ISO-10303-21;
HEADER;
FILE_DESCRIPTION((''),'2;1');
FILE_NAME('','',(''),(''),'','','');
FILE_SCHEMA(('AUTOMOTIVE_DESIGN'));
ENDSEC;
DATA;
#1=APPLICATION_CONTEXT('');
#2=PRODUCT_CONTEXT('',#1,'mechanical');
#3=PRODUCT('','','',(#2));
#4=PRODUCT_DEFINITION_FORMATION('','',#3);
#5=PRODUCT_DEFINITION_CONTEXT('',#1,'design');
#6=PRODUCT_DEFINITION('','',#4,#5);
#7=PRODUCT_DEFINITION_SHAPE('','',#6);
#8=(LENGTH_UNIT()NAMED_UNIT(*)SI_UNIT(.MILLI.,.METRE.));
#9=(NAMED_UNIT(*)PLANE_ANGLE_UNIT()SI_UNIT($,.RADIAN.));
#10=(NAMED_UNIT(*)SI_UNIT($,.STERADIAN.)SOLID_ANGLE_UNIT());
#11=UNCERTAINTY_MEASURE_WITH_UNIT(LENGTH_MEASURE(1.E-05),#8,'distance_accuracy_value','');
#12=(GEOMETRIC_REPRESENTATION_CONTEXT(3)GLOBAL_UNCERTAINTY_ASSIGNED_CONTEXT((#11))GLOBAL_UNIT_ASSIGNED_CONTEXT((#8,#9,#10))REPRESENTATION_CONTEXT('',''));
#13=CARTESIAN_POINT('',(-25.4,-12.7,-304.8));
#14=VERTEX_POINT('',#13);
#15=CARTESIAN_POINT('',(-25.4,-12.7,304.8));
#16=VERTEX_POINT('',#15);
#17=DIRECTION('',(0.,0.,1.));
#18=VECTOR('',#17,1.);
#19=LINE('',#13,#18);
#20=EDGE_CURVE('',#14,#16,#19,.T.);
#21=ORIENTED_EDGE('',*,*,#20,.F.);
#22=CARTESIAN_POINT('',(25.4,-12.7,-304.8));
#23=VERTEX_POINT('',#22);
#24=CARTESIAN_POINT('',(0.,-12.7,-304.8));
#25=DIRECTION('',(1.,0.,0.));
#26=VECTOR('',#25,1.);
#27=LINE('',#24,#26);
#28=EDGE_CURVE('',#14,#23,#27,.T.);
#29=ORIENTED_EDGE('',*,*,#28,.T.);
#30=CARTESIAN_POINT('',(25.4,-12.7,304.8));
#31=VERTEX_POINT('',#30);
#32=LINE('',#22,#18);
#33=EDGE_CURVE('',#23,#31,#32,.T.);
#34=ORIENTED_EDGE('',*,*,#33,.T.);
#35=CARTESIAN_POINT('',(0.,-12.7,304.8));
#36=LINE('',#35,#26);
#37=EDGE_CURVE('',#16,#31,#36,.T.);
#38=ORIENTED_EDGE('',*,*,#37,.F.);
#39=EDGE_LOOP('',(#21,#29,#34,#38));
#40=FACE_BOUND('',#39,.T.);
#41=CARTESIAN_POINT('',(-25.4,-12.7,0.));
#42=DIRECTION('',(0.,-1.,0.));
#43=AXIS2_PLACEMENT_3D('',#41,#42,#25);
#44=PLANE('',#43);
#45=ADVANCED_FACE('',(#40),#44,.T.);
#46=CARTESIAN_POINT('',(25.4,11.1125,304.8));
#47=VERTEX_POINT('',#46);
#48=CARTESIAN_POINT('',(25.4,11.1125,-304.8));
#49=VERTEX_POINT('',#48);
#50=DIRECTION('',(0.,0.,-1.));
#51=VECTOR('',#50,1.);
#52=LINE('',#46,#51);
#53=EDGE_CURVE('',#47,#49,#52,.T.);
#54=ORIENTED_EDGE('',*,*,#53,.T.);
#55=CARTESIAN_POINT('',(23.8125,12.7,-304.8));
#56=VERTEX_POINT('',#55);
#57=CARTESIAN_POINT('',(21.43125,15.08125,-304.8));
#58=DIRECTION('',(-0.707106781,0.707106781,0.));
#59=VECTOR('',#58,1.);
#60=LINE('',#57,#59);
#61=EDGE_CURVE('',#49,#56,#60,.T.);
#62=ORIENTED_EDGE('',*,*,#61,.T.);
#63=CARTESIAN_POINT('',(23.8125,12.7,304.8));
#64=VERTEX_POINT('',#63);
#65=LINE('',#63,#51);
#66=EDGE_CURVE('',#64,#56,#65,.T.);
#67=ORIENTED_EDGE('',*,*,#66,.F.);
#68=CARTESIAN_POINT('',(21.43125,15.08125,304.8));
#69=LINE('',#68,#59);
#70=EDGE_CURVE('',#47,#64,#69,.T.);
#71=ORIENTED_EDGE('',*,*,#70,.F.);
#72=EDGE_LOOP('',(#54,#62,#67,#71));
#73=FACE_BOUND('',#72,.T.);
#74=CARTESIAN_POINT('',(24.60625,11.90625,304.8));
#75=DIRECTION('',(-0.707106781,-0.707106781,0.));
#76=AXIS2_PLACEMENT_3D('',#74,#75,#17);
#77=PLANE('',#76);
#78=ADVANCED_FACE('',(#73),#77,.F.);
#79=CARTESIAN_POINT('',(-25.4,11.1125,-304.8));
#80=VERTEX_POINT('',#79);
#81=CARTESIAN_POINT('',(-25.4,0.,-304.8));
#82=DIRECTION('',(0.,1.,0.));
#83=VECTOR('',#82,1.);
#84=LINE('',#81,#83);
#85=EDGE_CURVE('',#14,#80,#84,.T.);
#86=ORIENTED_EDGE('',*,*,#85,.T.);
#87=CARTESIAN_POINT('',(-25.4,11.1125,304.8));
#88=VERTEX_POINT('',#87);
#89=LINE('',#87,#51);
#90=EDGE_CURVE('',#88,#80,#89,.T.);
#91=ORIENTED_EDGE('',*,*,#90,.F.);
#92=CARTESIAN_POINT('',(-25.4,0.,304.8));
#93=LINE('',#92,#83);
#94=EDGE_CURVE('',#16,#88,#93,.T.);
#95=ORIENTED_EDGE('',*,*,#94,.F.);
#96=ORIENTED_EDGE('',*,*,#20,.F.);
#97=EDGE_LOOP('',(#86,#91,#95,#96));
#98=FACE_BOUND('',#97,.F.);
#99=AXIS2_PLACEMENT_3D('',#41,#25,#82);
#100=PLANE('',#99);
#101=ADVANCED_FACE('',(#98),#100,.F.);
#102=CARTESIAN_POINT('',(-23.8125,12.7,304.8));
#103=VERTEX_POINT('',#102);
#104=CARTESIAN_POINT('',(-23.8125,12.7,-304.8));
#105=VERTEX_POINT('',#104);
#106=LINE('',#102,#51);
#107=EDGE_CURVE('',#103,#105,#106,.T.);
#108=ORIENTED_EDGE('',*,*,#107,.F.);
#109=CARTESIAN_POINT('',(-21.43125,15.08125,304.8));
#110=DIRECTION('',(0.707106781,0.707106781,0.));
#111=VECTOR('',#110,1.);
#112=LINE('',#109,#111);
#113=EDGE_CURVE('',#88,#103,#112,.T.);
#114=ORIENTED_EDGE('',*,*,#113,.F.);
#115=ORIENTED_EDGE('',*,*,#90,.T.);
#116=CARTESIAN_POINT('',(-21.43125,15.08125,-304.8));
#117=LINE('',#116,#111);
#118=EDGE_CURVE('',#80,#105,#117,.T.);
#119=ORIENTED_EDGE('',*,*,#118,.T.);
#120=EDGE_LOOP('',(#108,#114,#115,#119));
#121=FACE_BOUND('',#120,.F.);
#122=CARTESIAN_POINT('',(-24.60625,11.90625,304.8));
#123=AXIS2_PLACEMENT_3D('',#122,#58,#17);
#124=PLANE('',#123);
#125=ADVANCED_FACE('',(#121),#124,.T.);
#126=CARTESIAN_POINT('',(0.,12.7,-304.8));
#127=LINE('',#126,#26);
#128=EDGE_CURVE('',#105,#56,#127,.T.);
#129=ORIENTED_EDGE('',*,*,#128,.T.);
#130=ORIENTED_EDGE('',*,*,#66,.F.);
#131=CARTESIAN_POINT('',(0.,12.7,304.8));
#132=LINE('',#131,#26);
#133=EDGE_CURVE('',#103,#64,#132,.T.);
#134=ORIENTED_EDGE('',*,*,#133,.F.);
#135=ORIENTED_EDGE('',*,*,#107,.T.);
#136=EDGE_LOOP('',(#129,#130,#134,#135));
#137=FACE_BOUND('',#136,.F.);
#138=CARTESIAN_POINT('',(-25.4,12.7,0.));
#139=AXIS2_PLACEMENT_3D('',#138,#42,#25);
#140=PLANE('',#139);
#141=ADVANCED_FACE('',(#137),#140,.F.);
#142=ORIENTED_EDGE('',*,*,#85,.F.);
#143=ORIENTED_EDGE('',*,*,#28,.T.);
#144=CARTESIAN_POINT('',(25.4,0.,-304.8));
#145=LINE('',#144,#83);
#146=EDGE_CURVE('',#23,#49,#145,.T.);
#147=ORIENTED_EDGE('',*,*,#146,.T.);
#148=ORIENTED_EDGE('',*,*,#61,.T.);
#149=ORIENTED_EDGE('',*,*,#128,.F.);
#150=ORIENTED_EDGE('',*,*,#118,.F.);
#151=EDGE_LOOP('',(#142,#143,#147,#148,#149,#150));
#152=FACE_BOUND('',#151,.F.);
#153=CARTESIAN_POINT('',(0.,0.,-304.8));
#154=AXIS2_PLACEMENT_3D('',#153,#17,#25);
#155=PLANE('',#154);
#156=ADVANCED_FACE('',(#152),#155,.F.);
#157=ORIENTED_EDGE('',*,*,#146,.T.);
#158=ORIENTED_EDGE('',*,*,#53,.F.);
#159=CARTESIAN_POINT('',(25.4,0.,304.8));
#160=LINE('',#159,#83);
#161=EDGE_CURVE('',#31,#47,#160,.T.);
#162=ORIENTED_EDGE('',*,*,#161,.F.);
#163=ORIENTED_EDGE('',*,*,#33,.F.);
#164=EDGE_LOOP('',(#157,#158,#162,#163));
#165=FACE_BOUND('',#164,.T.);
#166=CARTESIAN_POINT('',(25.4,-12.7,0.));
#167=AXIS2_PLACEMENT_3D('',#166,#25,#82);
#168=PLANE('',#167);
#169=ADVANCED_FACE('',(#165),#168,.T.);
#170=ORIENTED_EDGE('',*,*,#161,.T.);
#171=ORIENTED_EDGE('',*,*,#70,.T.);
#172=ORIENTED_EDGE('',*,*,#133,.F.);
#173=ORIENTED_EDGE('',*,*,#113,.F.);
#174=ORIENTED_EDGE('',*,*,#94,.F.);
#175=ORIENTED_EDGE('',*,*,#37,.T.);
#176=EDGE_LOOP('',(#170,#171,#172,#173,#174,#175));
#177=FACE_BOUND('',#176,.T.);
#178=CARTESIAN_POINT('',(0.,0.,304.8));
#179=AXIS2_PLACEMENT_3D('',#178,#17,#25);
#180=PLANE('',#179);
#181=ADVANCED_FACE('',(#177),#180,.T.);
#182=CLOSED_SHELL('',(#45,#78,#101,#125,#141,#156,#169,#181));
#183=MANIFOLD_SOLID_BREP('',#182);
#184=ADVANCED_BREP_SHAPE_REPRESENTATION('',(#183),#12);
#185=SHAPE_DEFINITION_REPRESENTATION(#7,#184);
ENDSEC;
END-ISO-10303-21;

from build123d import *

# Parameters (mm, degrees)
F0_W     = 50.8
F0_H     = 25.4
F1_DEPTH = 304.8
F2_SIZE  = 1.5875


with BuildPart() as f1:
    # F0 (on Top) → F1 (new body, symmetric)
    with BuildSketch(Plane.XY):
        Rectangle(F0_W, F0_H)
    extrude(amount=F1_DEPTH, both=True)

    # F2
    f2_edges = [f1.edges().sort_by_distance(p)[0] for p in [
        (25.4, 12.7, 0),
        (-25.4, 12.7, 0),
    ]]
    chamfer(f2_edges, length=F2_SIZE)


solid = f1.part
